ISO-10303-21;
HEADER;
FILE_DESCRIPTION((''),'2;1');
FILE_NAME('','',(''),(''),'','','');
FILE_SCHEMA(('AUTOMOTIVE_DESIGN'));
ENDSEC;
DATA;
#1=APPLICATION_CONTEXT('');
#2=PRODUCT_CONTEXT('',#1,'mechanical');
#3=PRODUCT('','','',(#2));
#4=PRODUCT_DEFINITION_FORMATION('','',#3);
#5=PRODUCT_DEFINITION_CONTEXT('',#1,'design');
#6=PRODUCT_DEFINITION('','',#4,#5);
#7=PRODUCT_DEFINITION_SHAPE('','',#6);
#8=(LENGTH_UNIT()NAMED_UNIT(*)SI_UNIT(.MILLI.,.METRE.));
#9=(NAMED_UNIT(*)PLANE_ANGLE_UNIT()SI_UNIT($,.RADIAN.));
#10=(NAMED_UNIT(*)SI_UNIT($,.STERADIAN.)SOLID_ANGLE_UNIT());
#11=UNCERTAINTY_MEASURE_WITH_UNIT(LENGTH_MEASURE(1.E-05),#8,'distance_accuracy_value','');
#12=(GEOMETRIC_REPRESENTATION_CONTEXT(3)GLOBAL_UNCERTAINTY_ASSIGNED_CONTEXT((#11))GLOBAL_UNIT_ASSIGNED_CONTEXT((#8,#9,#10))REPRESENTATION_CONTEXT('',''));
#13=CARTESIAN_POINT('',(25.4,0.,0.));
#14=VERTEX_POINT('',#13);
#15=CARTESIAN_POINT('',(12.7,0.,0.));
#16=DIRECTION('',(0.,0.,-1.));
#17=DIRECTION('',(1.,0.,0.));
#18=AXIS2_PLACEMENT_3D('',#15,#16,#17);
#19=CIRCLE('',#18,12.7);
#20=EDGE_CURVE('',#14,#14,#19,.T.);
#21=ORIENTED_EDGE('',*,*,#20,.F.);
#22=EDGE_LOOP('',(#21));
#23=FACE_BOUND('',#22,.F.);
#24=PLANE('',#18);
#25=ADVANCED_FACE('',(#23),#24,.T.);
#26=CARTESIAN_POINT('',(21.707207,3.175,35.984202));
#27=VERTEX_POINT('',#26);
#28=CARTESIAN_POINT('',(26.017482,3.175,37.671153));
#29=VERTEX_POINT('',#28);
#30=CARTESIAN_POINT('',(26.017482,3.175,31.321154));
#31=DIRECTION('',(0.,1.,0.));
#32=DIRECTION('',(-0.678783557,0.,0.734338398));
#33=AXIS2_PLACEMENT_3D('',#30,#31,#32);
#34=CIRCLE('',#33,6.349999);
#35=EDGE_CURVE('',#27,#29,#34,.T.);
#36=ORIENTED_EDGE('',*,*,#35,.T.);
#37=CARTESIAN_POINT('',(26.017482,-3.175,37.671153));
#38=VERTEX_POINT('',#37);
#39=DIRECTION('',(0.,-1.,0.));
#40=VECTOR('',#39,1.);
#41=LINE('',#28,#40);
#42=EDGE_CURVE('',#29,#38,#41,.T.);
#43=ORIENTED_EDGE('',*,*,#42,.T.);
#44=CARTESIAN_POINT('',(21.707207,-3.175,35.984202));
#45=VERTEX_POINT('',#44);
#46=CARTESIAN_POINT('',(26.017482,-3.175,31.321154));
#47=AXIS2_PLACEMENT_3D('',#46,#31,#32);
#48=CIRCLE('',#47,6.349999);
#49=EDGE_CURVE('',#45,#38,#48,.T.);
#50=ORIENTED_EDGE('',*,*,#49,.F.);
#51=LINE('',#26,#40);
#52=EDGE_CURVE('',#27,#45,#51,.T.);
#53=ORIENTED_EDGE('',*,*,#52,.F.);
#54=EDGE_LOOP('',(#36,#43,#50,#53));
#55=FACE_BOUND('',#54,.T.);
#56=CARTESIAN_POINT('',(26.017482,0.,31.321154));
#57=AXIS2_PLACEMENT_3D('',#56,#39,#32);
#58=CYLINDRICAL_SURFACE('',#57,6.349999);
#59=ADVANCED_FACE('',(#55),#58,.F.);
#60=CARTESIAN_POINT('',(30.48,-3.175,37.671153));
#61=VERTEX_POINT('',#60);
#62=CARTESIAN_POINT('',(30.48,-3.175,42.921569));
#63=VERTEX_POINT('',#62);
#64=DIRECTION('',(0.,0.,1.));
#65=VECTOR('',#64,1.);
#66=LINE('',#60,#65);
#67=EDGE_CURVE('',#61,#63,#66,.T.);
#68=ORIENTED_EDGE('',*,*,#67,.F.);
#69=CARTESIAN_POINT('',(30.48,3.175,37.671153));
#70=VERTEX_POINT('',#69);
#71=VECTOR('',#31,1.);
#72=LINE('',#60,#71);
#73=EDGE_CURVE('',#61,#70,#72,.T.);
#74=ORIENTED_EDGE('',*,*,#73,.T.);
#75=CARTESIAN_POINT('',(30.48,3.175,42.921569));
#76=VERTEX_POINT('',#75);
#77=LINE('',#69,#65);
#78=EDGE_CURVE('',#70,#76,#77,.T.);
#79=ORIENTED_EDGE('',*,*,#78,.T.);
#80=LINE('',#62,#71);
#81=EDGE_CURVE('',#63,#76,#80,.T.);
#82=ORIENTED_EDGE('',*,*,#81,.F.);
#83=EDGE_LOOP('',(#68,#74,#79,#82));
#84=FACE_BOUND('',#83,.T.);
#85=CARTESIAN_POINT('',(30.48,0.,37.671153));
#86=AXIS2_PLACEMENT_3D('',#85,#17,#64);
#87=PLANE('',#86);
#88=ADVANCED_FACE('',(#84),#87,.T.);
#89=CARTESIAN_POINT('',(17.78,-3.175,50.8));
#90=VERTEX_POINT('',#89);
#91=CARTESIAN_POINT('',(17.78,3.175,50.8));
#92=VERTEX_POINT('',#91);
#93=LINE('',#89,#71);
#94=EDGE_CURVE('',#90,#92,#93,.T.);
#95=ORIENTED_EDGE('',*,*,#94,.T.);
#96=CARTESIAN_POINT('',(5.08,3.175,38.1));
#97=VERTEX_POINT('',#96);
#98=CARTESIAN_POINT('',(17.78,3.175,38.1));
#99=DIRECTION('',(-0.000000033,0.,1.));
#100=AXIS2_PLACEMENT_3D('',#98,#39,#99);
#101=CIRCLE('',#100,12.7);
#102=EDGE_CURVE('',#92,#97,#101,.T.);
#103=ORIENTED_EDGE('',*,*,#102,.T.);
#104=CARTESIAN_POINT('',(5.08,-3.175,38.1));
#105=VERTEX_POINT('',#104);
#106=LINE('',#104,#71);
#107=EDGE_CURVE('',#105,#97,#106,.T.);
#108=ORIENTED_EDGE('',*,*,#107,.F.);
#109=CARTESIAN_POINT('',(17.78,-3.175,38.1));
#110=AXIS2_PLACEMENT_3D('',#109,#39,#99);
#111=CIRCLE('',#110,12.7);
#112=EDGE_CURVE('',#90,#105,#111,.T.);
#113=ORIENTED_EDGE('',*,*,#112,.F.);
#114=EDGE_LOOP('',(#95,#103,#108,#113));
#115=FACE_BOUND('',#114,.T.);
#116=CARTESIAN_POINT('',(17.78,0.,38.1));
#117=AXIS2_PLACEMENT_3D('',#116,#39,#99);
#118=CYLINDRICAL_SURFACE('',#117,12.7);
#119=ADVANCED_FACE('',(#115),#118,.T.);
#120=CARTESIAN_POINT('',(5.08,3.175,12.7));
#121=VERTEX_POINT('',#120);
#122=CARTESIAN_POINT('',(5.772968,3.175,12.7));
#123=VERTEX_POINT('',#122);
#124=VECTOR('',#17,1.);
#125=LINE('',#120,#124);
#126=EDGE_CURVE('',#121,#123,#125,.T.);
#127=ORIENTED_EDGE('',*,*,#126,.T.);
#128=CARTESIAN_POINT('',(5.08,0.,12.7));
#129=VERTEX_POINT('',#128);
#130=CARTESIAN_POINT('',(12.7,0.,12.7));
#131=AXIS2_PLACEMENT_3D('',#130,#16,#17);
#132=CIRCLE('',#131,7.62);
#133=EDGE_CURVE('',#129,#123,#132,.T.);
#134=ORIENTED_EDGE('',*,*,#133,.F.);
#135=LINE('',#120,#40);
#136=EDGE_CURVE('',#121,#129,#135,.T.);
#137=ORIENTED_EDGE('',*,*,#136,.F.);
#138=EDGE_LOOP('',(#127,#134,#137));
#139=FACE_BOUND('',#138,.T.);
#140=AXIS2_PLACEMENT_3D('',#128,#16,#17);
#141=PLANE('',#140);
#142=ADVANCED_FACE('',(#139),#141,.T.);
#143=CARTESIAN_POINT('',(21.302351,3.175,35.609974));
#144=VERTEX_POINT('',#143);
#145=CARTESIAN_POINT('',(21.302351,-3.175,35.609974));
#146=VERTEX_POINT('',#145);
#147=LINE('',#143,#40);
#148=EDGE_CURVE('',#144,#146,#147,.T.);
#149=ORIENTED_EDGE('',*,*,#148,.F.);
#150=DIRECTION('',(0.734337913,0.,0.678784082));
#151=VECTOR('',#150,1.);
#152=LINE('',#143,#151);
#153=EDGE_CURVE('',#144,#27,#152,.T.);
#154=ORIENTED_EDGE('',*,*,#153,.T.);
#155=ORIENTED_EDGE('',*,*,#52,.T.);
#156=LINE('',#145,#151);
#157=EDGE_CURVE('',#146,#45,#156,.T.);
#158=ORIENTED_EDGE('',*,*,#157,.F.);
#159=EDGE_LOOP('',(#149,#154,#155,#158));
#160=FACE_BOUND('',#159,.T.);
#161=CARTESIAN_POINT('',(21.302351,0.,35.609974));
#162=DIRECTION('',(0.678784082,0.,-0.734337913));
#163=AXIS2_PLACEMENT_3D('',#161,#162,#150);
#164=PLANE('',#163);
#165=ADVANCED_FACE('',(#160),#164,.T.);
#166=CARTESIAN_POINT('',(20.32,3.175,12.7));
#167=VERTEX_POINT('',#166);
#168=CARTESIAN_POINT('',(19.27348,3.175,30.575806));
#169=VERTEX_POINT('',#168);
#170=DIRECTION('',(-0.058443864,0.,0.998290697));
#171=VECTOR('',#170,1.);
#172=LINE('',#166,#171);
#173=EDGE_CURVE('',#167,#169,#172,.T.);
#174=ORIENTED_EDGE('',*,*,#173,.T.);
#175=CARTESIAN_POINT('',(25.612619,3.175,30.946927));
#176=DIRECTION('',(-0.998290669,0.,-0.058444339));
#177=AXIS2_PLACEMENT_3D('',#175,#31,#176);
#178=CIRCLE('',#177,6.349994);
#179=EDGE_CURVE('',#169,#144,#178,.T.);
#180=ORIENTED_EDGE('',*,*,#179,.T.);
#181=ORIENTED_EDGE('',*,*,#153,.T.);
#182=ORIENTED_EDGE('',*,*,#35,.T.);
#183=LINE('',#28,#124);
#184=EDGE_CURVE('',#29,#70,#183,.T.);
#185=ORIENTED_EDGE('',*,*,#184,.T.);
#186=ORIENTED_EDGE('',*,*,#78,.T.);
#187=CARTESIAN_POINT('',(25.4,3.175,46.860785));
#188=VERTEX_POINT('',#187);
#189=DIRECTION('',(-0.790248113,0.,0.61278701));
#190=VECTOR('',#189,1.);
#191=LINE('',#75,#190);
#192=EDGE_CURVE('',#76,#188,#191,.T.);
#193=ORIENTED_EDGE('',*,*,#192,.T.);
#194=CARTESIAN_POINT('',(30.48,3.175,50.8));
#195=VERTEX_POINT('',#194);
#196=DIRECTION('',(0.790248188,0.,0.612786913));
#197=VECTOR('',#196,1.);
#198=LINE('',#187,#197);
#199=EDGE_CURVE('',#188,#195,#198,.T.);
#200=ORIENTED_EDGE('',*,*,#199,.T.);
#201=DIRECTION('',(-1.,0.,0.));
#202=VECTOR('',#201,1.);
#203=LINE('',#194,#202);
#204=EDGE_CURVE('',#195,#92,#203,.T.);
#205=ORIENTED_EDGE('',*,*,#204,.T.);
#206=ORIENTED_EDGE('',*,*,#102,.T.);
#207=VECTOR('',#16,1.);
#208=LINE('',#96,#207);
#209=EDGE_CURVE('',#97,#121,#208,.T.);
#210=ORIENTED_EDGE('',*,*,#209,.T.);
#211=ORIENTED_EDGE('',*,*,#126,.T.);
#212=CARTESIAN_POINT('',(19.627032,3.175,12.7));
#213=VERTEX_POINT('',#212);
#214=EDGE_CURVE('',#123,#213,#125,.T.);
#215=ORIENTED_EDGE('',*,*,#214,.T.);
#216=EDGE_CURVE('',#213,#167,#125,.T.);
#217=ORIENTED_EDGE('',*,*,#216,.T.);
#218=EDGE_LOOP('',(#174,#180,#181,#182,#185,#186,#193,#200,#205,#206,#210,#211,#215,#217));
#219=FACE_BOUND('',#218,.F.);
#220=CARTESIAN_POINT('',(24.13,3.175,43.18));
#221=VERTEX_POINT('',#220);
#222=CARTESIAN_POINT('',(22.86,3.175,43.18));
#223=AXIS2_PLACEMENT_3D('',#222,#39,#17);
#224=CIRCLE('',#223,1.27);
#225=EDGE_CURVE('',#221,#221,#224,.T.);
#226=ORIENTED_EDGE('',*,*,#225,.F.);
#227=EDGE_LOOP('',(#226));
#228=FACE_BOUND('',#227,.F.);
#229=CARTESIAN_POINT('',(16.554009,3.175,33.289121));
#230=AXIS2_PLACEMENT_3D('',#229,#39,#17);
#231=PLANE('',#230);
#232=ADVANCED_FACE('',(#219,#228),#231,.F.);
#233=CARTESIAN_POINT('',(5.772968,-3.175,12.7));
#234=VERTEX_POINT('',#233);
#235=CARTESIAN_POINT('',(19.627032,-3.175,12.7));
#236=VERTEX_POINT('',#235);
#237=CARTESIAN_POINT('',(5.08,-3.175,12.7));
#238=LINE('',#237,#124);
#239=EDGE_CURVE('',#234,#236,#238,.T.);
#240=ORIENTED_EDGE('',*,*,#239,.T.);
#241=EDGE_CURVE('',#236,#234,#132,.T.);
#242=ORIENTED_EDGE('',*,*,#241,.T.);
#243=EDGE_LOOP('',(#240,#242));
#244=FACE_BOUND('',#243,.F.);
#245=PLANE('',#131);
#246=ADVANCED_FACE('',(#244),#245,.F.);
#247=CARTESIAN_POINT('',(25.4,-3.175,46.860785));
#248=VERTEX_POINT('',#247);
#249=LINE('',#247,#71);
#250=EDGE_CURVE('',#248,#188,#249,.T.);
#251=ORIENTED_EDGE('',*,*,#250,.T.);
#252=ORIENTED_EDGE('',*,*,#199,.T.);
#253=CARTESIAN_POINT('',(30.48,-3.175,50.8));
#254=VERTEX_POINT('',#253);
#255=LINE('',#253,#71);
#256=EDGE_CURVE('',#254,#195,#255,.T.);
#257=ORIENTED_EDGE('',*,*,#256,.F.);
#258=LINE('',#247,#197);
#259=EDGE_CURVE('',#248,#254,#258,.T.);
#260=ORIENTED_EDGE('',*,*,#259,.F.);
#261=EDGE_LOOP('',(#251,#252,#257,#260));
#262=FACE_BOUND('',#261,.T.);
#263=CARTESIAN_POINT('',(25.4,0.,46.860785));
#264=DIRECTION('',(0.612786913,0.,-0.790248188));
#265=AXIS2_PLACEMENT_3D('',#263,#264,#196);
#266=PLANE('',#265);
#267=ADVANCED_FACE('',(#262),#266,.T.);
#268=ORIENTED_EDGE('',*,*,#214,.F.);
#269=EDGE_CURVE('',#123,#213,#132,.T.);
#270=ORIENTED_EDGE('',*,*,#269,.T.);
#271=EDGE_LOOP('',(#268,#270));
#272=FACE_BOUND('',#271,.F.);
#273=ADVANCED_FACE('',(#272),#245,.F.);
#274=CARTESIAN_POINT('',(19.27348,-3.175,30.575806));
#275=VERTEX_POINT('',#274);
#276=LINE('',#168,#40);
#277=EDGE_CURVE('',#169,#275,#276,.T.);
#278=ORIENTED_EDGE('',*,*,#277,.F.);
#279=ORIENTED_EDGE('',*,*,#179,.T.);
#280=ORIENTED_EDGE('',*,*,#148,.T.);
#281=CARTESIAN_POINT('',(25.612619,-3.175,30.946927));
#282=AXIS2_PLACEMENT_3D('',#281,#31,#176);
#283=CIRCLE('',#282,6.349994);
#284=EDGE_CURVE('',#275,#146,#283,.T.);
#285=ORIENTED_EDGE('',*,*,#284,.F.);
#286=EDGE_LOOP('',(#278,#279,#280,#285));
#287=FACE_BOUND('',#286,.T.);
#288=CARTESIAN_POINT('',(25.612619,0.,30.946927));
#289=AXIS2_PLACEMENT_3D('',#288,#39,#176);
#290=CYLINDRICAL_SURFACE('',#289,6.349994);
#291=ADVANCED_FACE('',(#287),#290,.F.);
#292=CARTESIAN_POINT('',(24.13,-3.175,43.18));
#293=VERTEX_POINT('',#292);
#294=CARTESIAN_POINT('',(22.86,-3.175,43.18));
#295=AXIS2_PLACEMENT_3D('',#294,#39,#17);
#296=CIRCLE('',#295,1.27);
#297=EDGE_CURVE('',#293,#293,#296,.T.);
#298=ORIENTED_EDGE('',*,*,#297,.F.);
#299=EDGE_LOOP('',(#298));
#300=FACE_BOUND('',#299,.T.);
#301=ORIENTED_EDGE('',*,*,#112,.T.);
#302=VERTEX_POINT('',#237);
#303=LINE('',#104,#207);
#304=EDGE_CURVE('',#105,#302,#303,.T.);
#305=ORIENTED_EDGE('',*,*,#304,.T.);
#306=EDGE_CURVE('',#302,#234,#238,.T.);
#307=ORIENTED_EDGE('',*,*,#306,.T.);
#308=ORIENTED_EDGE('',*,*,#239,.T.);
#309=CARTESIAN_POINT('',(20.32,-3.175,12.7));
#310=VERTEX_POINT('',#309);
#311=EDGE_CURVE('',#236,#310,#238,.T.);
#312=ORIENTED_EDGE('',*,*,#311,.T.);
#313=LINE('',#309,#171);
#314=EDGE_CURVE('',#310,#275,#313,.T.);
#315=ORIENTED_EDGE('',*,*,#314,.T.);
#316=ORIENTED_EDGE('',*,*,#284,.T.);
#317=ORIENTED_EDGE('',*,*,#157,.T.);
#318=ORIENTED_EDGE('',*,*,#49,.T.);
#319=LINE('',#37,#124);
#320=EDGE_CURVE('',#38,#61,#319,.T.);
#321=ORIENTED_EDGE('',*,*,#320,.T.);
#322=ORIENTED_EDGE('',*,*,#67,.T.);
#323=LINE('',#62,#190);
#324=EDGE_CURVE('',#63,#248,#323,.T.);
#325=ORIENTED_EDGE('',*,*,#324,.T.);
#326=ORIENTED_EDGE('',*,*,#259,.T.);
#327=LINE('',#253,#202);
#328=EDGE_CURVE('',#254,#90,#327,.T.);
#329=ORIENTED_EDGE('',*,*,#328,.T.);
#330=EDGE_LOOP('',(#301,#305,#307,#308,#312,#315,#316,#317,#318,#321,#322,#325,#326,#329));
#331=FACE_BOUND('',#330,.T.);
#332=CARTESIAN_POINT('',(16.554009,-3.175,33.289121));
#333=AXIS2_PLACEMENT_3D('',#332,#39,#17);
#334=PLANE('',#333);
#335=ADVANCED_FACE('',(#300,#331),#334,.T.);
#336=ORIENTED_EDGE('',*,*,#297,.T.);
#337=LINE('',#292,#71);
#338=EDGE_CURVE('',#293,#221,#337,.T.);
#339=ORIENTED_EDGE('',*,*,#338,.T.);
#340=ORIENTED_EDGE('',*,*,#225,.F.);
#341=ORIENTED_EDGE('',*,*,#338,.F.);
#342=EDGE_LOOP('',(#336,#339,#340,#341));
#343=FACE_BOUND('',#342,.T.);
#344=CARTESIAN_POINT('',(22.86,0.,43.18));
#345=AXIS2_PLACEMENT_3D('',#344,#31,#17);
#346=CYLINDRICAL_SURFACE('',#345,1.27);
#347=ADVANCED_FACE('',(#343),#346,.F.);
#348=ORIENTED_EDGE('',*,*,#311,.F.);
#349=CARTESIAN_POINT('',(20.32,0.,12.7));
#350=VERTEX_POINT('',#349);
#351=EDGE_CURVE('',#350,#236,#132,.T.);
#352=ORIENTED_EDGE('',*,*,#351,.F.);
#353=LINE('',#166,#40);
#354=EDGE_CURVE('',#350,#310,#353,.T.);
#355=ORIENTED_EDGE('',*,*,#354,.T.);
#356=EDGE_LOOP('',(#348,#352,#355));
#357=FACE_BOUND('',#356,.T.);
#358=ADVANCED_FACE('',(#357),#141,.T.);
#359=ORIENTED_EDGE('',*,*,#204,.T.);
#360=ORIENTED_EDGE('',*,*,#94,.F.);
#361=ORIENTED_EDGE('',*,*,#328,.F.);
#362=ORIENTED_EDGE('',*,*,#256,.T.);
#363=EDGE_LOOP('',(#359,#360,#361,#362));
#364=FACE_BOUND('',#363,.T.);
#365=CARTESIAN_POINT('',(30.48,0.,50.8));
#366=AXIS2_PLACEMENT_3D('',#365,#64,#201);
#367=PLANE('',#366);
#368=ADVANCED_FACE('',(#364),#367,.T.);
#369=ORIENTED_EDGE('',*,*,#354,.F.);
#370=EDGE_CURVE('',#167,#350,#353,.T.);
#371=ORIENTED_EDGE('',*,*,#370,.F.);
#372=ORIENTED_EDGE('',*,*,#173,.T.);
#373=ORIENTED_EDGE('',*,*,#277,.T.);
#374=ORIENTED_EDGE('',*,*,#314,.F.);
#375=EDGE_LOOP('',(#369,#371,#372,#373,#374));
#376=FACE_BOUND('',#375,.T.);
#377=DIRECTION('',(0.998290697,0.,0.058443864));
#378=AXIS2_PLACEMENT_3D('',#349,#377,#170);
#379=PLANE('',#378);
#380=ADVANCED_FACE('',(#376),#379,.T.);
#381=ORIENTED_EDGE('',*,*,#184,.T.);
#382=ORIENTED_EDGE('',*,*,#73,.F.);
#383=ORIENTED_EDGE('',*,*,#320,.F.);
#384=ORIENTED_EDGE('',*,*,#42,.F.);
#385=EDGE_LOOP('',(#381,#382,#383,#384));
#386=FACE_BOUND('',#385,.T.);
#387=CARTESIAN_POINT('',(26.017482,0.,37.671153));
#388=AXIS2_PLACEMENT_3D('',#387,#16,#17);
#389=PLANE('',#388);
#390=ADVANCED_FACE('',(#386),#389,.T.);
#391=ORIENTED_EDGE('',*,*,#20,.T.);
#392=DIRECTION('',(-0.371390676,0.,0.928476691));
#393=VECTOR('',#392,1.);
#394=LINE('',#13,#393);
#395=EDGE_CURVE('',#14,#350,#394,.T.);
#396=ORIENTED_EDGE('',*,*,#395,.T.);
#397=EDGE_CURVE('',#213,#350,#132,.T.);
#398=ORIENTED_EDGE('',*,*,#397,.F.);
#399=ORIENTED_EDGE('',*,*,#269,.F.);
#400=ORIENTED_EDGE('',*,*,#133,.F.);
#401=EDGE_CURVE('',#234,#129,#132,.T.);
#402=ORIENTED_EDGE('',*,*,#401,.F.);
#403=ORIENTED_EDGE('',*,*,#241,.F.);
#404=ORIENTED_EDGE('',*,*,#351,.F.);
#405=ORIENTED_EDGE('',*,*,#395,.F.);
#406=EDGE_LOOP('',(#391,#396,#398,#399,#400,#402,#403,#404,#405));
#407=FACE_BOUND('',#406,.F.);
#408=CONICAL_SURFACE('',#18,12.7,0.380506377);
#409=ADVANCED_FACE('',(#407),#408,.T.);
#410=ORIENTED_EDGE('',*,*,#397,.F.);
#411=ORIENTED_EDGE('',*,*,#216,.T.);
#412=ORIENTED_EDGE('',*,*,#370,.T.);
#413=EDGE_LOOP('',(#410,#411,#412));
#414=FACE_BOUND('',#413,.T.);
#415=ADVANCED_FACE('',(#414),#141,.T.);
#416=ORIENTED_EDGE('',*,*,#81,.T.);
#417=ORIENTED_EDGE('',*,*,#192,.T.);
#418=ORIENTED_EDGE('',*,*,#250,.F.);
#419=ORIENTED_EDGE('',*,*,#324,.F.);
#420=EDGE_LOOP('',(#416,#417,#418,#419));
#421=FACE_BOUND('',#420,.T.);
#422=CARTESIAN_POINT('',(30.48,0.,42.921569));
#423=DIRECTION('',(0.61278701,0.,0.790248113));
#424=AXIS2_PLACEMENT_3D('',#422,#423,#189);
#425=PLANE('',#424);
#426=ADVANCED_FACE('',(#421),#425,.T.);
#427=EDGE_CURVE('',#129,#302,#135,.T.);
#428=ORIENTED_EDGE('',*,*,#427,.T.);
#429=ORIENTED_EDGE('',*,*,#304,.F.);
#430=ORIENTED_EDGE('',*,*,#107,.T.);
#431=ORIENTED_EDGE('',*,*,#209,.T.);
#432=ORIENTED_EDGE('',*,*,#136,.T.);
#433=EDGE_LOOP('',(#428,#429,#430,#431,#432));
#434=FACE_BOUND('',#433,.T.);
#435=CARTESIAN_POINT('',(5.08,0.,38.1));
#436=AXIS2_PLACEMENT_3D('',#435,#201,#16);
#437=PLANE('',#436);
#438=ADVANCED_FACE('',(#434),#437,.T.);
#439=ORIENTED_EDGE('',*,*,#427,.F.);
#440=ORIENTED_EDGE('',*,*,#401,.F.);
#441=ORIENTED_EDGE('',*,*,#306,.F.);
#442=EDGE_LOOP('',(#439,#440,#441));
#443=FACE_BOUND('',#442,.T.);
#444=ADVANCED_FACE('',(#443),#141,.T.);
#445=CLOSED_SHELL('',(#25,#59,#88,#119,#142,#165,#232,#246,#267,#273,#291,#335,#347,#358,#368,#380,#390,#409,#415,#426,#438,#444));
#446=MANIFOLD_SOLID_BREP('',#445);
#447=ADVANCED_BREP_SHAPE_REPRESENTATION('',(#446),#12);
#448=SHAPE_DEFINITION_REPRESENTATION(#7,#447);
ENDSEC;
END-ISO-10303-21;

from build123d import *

# Parameters (mm, degrees)
F2_R     = 1.27
F3_DEPTH = 3.175


with BuildPart() as f1:
    # F0 (on Front) → F1 (revolve)
    with BuildSketch(Plane.XZ):
        Polygon((12.7, 12.7), (12.7, 0), (25.4, 0), (20.32, 12.7), align=None)
    revolve(axis=Axis((12.7, 0, 6.35), (0, 0, -1)))

    # F2 (on Front) → F3 (join, symmetric)
    with BuildSketch(Plane.XZ):
        with BuildLine():
            Line((5.08, 38.1), (5.08, 12.7))
            Line((5.08, 12.7), (20.32, 12.7))
            Line((20.32, 12.7), (19.27348, 30.575806))
            ThreePointArc((19.27348, 30.575806), (19.722952, 33.320582), (21.302351, 35.609974))
            Line((21.302351, 35.609974), (21.707207, 35.984202))
            ThreePointArc((21.707207, 35.984202), (23.703164, 37.234395), (26.017482, 37.671153))
            Line((26.017482, 37.671153), (30.48, 37.671153))
            Line((30.48, 37.671153), (30.48, 42.921569))
            Line((30.48, 42.921569), (25.4, 46.860785))
            Line((25.4, 46.860785), (30.48, 50.8))
            Line((30.48, 50.8), (17.78, 50.8))
            ThreePointArc((17.78, 50.8), (8.799744, 47.080256), (5.08, 38.1))
        make_face()
        with Locations((22.86, 43.18)):
            Circle(F2_R, mode=Mode.SUBTRACT)
    extrude(amount=F3_DEPTH, both=True)


solid = f1.part
